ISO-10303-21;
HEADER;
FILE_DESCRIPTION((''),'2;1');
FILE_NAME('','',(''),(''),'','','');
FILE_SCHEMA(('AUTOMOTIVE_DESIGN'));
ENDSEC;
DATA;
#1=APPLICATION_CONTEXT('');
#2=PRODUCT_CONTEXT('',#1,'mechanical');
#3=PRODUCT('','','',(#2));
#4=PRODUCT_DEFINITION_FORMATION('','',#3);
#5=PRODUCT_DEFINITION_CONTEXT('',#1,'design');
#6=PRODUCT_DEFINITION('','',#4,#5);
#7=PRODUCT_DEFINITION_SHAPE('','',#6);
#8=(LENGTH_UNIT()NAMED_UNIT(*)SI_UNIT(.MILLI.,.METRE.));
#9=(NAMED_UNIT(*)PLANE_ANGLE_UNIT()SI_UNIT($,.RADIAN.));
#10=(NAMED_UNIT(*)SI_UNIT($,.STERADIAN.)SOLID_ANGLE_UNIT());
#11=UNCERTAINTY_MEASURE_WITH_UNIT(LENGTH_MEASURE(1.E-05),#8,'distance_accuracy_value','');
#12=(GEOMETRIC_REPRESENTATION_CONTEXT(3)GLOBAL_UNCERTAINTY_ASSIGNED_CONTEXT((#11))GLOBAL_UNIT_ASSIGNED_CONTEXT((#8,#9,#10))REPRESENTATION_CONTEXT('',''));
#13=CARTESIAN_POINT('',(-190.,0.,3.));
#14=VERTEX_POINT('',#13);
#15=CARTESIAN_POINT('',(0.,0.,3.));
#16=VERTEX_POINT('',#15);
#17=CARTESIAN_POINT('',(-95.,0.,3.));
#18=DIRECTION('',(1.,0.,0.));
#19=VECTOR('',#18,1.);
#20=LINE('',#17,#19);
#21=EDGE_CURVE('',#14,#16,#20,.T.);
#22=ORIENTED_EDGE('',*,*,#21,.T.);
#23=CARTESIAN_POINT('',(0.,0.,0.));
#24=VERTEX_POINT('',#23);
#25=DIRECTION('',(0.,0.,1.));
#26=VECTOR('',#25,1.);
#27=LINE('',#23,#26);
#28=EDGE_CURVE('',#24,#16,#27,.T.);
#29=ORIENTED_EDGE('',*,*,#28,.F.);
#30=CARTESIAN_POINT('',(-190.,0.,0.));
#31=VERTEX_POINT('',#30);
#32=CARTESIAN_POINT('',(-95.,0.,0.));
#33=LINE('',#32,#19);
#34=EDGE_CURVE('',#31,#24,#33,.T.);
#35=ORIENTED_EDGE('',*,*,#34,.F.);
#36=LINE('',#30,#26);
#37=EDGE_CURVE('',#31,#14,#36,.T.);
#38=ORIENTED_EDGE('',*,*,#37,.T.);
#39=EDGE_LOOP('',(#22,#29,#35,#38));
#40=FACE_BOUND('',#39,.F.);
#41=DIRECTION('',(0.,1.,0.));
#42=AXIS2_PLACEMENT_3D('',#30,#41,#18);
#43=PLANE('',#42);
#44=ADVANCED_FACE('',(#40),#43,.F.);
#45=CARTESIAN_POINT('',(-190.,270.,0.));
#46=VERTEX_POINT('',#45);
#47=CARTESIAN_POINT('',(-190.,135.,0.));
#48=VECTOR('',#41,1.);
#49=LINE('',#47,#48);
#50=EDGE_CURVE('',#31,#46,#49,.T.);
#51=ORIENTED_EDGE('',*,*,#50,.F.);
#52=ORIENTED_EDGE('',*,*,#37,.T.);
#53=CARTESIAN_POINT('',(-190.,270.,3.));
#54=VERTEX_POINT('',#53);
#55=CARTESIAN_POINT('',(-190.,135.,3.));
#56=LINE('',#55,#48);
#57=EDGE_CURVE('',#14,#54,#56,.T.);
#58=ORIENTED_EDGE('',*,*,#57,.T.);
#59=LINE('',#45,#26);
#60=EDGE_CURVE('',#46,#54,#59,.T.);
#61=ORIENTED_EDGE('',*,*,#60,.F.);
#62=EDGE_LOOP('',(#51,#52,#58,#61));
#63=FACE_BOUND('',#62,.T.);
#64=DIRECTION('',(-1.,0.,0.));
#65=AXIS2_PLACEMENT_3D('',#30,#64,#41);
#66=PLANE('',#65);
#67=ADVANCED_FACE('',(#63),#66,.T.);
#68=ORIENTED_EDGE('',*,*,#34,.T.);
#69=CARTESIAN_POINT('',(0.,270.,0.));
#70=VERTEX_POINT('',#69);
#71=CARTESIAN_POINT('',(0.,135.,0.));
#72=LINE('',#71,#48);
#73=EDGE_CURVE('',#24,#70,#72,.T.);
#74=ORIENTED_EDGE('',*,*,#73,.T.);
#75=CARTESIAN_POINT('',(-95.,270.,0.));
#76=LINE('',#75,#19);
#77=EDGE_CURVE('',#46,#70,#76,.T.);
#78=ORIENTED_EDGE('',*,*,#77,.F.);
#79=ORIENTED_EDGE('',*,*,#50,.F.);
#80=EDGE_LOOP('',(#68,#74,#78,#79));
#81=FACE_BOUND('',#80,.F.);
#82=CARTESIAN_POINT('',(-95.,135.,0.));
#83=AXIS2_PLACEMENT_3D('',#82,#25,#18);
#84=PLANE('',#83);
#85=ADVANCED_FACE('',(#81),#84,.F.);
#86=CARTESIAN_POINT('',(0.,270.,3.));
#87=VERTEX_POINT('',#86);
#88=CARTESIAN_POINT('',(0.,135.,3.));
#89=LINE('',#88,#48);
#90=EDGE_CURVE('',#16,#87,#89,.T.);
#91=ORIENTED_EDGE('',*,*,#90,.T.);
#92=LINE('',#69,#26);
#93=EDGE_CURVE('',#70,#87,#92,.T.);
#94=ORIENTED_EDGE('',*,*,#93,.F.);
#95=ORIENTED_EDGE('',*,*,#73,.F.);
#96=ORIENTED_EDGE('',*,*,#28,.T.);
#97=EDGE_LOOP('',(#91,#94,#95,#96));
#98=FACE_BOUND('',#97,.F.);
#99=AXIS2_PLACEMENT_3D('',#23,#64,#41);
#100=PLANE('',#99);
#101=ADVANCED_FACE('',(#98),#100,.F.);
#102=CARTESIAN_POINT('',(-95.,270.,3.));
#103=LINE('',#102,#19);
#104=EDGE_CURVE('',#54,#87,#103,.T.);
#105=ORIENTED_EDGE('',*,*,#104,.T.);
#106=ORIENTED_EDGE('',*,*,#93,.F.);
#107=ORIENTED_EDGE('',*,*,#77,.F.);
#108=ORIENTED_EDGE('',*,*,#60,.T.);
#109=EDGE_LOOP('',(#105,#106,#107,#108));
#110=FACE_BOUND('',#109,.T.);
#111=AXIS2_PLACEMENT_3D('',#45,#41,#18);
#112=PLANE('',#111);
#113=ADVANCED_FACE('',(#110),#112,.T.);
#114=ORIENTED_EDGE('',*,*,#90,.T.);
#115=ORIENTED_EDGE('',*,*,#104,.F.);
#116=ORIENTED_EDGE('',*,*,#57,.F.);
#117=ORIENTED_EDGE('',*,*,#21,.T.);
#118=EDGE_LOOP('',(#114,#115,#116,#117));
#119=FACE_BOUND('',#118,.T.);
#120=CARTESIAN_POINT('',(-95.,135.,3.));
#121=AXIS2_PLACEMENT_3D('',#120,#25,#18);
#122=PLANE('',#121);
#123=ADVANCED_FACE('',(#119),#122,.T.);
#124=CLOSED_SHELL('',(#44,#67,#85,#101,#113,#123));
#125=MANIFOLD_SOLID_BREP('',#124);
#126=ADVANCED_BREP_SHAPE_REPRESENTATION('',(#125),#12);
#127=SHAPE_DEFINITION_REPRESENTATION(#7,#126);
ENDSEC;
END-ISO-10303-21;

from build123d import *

# Parameters (mm, degrees)
SKETCH_W  = 190
SKETCH_H  = 270
PAD_DEPTH = 3


with BuildPart() as part:
    # Sketch → Pad (new body)
    with BuildSketch(Plane.XY):
        with Locations((-95, 135)):
            Rectangle(SKETCH_W, SKETCH_H)
    extrude(amount=PAD_DEPTH)


solid = part.part
